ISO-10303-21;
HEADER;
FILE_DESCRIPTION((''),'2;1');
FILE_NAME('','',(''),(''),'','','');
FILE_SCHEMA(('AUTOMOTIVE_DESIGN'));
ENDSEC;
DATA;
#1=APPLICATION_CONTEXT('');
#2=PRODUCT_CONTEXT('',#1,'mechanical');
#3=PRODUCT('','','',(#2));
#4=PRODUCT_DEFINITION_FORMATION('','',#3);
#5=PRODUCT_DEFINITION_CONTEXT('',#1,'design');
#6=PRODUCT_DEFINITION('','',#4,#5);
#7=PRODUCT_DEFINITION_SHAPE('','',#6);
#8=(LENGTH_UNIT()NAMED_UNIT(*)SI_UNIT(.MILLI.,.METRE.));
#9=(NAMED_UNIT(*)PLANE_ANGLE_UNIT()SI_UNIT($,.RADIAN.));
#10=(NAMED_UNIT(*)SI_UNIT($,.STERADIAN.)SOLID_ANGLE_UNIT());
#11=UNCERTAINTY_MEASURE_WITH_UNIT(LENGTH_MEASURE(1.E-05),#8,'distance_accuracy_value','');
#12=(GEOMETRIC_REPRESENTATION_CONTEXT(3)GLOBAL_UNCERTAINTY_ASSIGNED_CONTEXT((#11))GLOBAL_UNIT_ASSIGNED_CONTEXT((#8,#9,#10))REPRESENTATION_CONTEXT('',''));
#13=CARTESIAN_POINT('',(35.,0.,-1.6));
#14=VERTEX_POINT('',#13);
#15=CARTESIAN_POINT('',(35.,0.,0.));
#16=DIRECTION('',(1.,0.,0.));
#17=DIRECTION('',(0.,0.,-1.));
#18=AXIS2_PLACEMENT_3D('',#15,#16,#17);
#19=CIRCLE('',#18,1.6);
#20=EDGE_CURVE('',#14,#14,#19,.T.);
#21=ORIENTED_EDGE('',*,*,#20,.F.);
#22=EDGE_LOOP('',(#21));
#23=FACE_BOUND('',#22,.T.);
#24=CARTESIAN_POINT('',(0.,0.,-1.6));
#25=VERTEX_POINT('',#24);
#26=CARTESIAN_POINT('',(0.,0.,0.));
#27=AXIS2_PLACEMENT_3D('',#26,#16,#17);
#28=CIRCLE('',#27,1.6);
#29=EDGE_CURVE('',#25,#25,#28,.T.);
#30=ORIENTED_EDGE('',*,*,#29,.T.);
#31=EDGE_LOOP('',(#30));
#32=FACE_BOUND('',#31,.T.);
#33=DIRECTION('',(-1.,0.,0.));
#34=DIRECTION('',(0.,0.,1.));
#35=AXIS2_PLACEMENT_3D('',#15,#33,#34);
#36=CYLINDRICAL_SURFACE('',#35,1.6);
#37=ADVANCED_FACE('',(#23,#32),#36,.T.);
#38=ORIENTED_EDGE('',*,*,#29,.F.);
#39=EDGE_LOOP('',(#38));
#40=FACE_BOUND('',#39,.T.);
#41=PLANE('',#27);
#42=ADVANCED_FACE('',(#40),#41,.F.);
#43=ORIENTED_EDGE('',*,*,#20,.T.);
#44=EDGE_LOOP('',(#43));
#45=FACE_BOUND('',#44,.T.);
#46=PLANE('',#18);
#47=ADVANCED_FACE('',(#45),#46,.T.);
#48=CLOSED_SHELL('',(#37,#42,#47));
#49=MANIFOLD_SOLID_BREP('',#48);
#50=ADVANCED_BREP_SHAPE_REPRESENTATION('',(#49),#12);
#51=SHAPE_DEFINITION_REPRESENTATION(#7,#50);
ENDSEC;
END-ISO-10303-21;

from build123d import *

# Parameters (mm, degrees)
SKETCH1_R           = 1.6
BOSS_EXTRUDE1_DEPTH = 35


with BuildPart() as part:
    # Sketch1 → Boss-Extrude1 (new body)
    with BuildSketch(Plane(origin=(0, 0, 0), x_dir=(0, 0, -1), z_dir=(1, 0, 0))):
        Circle(SKETCH1_R)
    extrude(amount=BOSS_EXTRUDE1_DEPTH)


solid = part.part
